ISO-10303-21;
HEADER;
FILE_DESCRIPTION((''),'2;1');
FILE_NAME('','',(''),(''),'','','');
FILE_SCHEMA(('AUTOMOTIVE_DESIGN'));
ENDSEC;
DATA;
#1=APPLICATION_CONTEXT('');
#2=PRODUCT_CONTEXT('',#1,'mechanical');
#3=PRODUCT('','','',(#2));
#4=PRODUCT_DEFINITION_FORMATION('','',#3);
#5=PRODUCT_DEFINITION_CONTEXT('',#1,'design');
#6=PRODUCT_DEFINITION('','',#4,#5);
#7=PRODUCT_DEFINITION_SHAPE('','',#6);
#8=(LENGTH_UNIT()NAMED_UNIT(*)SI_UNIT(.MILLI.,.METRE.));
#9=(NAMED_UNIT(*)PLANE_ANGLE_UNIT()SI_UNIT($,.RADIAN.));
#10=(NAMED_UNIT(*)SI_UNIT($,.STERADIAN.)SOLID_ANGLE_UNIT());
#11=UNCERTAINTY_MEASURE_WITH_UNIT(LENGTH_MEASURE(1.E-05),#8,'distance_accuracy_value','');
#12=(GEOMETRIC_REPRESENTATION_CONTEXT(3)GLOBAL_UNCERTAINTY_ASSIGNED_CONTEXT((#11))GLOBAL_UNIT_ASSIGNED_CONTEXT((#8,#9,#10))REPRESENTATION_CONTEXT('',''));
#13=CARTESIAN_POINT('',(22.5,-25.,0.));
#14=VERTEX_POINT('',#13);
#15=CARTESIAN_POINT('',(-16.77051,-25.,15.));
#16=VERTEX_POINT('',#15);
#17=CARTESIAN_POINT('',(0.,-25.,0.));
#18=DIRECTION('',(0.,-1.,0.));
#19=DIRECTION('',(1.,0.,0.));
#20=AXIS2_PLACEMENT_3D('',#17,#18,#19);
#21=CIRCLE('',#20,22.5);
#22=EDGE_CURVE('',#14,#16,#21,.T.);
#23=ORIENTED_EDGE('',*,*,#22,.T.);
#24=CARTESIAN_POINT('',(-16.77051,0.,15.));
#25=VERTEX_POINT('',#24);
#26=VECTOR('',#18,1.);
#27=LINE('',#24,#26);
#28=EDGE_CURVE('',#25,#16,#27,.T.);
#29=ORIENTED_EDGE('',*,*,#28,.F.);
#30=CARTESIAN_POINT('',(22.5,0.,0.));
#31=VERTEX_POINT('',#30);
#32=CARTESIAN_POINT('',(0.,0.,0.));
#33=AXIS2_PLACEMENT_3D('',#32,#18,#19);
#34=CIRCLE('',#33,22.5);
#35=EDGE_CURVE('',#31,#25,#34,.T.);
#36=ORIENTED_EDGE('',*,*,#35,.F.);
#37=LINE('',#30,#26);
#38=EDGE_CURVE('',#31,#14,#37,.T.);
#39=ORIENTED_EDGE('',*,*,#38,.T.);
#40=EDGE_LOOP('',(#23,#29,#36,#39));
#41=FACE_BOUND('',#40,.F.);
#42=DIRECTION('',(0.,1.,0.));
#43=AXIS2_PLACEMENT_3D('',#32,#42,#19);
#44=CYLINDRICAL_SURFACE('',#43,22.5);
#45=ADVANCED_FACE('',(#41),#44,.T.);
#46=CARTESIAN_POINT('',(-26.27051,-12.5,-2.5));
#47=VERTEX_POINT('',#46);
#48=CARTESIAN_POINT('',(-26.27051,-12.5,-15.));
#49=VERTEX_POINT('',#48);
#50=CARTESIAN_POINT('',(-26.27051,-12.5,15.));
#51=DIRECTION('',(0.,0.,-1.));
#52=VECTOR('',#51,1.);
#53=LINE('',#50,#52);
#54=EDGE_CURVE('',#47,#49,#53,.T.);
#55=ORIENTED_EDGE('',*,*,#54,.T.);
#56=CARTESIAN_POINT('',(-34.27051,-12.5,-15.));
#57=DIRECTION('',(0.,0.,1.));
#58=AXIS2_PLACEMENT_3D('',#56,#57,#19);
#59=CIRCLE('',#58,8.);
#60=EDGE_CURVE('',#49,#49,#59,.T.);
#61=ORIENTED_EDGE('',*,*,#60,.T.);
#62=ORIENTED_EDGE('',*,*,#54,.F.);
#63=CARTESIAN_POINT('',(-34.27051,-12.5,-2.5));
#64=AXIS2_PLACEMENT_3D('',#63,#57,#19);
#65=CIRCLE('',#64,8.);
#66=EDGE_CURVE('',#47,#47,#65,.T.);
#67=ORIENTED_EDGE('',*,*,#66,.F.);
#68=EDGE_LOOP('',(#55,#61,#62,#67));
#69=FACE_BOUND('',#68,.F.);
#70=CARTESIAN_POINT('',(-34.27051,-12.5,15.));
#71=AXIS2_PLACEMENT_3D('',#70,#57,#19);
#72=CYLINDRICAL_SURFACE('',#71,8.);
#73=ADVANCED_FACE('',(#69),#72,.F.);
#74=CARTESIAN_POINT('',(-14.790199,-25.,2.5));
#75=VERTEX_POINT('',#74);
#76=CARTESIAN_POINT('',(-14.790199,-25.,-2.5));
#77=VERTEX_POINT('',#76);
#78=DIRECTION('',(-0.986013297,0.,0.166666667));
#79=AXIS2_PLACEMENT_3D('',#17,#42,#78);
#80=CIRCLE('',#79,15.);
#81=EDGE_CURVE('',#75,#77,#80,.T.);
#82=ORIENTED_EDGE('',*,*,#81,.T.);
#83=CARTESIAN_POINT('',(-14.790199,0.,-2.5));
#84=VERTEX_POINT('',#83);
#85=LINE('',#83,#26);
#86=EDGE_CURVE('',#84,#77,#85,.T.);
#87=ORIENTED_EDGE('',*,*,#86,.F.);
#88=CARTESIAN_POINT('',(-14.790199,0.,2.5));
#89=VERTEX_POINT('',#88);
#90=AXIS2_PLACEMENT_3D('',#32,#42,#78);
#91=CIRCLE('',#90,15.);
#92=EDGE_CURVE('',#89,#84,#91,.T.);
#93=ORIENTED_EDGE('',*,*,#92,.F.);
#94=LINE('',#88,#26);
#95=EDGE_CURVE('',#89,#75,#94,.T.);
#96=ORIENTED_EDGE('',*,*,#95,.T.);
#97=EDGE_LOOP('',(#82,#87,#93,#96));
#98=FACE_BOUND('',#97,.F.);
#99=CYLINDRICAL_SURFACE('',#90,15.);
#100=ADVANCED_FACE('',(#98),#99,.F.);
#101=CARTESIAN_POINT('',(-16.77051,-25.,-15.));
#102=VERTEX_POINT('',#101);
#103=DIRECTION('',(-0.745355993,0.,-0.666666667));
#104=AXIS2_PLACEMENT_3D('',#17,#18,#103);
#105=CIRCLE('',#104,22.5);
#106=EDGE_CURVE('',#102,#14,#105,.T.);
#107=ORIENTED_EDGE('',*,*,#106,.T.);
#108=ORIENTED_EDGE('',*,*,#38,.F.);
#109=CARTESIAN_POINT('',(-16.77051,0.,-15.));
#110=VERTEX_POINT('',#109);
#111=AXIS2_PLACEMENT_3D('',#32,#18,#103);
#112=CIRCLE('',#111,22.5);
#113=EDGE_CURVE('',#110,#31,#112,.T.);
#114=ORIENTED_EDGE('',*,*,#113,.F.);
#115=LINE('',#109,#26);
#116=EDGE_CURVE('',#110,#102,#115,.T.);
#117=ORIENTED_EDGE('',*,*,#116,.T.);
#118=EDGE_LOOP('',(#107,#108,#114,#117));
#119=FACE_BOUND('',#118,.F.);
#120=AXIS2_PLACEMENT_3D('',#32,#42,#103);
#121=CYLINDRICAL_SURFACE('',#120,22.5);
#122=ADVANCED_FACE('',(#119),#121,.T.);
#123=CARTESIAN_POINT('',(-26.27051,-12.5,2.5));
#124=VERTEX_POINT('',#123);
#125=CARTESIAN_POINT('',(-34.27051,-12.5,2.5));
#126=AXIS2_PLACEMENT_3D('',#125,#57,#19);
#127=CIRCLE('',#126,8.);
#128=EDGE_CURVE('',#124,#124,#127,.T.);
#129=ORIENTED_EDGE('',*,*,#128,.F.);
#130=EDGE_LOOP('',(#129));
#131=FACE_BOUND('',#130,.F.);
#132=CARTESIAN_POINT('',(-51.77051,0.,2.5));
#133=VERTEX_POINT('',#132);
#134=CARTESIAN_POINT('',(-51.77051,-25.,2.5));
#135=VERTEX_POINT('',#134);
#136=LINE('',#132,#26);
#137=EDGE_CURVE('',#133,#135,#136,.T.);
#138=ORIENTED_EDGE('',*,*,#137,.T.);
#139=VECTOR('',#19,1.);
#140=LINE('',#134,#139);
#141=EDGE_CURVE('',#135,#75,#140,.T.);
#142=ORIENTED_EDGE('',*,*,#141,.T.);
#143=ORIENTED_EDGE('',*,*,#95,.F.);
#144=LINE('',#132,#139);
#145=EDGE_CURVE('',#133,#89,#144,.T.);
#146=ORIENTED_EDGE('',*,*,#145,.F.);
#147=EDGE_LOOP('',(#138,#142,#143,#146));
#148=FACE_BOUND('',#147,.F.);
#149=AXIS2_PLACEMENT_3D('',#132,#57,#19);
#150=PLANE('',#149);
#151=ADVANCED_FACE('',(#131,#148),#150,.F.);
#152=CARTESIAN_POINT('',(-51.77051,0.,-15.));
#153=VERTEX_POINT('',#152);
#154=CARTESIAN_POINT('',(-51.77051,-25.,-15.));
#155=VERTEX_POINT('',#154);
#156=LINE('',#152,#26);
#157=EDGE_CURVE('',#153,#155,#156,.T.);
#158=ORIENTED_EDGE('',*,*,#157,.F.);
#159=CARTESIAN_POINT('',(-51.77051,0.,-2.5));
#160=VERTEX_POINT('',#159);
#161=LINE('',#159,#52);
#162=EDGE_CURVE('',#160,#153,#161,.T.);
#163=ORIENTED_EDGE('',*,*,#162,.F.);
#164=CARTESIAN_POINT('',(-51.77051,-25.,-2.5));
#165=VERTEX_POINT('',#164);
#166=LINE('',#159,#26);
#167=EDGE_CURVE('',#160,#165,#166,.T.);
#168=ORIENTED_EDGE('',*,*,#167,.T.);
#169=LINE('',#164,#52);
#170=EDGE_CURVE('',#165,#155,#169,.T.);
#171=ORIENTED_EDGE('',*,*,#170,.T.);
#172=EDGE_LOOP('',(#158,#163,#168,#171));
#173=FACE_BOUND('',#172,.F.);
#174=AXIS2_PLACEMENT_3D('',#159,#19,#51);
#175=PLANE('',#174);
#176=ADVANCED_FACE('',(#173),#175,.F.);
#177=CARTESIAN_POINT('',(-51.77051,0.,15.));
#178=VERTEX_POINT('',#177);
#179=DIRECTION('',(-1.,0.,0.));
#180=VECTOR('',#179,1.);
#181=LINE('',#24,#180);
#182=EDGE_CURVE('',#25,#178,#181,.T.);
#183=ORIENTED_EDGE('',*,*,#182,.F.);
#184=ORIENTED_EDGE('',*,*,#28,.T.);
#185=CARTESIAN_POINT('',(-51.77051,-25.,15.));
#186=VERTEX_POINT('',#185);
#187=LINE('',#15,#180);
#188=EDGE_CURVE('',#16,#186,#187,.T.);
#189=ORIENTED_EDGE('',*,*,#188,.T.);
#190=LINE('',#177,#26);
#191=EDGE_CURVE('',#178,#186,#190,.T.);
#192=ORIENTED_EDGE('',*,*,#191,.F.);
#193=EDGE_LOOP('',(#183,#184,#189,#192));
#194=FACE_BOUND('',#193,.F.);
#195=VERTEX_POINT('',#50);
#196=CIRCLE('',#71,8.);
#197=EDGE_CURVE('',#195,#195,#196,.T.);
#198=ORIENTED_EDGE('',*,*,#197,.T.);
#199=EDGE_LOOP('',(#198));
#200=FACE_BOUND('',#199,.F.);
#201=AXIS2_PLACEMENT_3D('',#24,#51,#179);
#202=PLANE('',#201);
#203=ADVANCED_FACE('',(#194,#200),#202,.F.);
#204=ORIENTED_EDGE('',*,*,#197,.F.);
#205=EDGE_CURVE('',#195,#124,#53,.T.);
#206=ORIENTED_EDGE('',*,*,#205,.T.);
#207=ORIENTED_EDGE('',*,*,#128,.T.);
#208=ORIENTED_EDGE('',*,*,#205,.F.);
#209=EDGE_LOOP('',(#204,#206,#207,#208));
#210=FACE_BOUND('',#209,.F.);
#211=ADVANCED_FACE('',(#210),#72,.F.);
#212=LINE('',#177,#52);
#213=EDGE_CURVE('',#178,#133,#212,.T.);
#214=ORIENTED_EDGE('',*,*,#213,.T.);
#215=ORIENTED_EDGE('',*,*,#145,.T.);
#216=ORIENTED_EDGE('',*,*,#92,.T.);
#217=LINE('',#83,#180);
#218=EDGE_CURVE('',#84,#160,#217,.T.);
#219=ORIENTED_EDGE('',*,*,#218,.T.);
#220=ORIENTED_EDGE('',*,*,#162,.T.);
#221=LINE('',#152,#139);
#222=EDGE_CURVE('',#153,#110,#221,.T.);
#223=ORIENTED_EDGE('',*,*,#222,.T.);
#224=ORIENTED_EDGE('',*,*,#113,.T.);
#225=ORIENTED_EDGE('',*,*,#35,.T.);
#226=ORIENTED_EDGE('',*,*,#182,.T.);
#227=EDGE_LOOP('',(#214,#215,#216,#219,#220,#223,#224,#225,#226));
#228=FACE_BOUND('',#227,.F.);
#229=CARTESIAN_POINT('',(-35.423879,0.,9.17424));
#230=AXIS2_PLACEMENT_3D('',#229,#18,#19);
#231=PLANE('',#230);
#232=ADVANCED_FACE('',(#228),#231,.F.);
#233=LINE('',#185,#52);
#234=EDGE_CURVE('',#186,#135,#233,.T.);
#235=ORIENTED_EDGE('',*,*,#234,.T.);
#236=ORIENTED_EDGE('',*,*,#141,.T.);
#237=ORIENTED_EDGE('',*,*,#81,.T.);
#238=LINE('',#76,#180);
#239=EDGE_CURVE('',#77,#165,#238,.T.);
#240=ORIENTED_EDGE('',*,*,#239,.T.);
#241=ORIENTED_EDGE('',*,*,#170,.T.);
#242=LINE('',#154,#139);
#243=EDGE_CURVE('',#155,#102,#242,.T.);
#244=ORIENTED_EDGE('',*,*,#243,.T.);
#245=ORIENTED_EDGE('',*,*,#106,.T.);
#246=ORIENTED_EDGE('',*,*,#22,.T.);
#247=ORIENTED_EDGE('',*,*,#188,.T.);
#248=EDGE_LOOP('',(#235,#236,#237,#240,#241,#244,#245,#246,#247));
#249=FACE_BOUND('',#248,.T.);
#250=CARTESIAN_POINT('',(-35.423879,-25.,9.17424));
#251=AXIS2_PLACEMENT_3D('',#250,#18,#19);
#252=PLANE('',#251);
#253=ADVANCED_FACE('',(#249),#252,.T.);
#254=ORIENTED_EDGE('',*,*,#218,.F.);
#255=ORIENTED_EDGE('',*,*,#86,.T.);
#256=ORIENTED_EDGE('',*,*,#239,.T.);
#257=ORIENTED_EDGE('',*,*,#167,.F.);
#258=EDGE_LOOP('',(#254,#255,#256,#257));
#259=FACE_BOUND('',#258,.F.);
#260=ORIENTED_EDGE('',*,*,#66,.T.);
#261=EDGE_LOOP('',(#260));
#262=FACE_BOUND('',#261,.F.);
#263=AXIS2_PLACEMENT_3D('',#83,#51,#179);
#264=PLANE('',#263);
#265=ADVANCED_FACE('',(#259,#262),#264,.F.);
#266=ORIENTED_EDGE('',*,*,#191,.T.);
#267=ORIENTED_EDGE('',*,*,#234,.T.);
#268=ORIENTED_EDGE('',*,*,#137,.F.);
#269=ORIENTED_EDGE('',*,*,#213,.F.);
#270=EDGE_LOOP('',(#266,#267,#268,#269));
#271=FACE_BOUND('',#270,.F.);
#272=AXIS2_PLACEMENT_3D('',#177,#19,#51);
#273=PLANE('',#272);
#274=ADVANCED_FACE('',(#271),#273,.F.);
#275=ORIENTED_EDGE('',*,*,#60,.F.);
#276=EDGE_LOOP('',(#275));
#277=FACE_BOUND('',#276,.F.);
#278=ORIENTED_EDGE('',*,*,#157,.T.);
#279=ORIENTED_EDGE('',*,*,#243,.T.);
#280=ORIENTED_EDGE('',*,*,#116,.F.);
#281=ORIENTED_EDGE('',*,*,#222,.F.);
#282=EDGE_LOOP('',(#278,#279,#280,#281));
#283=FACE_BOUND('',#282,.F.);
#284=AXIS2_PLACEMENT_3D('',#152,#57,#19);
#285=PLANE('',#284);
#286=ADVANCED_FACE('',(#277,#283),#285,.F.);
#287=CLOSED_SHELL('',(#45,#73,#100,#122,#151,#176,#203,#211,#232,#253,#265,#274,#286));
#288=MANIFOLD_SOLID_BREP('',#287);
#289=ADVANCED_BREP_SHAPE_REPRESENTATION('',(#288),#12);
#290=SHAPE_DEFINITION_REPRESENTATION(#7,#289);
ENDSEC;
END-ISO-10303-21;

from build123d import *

# Parameters (mm, degrees)
F1_DEPTH = 25
F2_R     = 8
F3_DEPTH = 37.501


with BuildPart() as f1:
    # F0 (on Front) → F1 (new body)
    with BuildSketch(Plane.XZ):
        with BuildLine():
            Line((-51.7705098312, 2.5), (-22.360679775, 2.5))
            ThreePointArc((-22.360679775, 2.5), (-20.5395959064, 9.1855865354), (-16.7705098312, 15))
            Line((-16.7705098312, 15), (-51.7705098312, 15))
            Line((-51.7705098312, 15), (-51.7705098312, 2.5))
        make_face()
        with BuildLine():
            ThreePointArc((-16.7705098312, -15), (-20.5395959064, -9.1855865354), (-22.360679775, -2.5))
            Line((-22.360679775, -2.5), (-51.7705098312, -2.5))
            Line((-51.7705098312, -2.5), (-51.7705098312, -15))
            Line((-51.7705098312, -15), (-16.7705098312, -15))
        make_face()
        with BuildLine():
            ThreePointArc((-14.7901994577, 2.5), (1.2543939042, 14.9474578418), (15, 0))
            ThreePointArc((15, 0), (1.2543939042, -14.9474578418), (-14.7901994577, -2.5))
            Line((-14.7901994577, -2.5), (-22.360679775, -2.5))
            ThreePointArc((-22.360679775, -2.5), (-20.5395959064, -9.1855865354), (-16.7705098312, -15))
            ThreePointArc((-16.7705098312, -15), (8.0284970199, -21.0188780767), (22.5, 0))
            ThreePointArc((22.5, 0), (8.0284970199, 21.0188780767), (-16.7705098312, 15))
            ThreePointArc((-16.7705098312, 15), (-20.5395959064, 9.1855865354), (-22.360679775, 2.5))
            Line((-22.360679775, 2.5), (-14.7901994577, 2.5))
        make_face()
    extrude(amount=F1_DEPTH)

    # F2 (on face) → F3 (cut, through all)
    with BuildSketch(Plane.XY.offset(15)):
        with Locations((-34.2705098312, -12.5)):
            Circle(F2_R)
    extrude(amount=-F3_DEPTH, mode=Mode.SUBTRACT)


solid = f1.part
